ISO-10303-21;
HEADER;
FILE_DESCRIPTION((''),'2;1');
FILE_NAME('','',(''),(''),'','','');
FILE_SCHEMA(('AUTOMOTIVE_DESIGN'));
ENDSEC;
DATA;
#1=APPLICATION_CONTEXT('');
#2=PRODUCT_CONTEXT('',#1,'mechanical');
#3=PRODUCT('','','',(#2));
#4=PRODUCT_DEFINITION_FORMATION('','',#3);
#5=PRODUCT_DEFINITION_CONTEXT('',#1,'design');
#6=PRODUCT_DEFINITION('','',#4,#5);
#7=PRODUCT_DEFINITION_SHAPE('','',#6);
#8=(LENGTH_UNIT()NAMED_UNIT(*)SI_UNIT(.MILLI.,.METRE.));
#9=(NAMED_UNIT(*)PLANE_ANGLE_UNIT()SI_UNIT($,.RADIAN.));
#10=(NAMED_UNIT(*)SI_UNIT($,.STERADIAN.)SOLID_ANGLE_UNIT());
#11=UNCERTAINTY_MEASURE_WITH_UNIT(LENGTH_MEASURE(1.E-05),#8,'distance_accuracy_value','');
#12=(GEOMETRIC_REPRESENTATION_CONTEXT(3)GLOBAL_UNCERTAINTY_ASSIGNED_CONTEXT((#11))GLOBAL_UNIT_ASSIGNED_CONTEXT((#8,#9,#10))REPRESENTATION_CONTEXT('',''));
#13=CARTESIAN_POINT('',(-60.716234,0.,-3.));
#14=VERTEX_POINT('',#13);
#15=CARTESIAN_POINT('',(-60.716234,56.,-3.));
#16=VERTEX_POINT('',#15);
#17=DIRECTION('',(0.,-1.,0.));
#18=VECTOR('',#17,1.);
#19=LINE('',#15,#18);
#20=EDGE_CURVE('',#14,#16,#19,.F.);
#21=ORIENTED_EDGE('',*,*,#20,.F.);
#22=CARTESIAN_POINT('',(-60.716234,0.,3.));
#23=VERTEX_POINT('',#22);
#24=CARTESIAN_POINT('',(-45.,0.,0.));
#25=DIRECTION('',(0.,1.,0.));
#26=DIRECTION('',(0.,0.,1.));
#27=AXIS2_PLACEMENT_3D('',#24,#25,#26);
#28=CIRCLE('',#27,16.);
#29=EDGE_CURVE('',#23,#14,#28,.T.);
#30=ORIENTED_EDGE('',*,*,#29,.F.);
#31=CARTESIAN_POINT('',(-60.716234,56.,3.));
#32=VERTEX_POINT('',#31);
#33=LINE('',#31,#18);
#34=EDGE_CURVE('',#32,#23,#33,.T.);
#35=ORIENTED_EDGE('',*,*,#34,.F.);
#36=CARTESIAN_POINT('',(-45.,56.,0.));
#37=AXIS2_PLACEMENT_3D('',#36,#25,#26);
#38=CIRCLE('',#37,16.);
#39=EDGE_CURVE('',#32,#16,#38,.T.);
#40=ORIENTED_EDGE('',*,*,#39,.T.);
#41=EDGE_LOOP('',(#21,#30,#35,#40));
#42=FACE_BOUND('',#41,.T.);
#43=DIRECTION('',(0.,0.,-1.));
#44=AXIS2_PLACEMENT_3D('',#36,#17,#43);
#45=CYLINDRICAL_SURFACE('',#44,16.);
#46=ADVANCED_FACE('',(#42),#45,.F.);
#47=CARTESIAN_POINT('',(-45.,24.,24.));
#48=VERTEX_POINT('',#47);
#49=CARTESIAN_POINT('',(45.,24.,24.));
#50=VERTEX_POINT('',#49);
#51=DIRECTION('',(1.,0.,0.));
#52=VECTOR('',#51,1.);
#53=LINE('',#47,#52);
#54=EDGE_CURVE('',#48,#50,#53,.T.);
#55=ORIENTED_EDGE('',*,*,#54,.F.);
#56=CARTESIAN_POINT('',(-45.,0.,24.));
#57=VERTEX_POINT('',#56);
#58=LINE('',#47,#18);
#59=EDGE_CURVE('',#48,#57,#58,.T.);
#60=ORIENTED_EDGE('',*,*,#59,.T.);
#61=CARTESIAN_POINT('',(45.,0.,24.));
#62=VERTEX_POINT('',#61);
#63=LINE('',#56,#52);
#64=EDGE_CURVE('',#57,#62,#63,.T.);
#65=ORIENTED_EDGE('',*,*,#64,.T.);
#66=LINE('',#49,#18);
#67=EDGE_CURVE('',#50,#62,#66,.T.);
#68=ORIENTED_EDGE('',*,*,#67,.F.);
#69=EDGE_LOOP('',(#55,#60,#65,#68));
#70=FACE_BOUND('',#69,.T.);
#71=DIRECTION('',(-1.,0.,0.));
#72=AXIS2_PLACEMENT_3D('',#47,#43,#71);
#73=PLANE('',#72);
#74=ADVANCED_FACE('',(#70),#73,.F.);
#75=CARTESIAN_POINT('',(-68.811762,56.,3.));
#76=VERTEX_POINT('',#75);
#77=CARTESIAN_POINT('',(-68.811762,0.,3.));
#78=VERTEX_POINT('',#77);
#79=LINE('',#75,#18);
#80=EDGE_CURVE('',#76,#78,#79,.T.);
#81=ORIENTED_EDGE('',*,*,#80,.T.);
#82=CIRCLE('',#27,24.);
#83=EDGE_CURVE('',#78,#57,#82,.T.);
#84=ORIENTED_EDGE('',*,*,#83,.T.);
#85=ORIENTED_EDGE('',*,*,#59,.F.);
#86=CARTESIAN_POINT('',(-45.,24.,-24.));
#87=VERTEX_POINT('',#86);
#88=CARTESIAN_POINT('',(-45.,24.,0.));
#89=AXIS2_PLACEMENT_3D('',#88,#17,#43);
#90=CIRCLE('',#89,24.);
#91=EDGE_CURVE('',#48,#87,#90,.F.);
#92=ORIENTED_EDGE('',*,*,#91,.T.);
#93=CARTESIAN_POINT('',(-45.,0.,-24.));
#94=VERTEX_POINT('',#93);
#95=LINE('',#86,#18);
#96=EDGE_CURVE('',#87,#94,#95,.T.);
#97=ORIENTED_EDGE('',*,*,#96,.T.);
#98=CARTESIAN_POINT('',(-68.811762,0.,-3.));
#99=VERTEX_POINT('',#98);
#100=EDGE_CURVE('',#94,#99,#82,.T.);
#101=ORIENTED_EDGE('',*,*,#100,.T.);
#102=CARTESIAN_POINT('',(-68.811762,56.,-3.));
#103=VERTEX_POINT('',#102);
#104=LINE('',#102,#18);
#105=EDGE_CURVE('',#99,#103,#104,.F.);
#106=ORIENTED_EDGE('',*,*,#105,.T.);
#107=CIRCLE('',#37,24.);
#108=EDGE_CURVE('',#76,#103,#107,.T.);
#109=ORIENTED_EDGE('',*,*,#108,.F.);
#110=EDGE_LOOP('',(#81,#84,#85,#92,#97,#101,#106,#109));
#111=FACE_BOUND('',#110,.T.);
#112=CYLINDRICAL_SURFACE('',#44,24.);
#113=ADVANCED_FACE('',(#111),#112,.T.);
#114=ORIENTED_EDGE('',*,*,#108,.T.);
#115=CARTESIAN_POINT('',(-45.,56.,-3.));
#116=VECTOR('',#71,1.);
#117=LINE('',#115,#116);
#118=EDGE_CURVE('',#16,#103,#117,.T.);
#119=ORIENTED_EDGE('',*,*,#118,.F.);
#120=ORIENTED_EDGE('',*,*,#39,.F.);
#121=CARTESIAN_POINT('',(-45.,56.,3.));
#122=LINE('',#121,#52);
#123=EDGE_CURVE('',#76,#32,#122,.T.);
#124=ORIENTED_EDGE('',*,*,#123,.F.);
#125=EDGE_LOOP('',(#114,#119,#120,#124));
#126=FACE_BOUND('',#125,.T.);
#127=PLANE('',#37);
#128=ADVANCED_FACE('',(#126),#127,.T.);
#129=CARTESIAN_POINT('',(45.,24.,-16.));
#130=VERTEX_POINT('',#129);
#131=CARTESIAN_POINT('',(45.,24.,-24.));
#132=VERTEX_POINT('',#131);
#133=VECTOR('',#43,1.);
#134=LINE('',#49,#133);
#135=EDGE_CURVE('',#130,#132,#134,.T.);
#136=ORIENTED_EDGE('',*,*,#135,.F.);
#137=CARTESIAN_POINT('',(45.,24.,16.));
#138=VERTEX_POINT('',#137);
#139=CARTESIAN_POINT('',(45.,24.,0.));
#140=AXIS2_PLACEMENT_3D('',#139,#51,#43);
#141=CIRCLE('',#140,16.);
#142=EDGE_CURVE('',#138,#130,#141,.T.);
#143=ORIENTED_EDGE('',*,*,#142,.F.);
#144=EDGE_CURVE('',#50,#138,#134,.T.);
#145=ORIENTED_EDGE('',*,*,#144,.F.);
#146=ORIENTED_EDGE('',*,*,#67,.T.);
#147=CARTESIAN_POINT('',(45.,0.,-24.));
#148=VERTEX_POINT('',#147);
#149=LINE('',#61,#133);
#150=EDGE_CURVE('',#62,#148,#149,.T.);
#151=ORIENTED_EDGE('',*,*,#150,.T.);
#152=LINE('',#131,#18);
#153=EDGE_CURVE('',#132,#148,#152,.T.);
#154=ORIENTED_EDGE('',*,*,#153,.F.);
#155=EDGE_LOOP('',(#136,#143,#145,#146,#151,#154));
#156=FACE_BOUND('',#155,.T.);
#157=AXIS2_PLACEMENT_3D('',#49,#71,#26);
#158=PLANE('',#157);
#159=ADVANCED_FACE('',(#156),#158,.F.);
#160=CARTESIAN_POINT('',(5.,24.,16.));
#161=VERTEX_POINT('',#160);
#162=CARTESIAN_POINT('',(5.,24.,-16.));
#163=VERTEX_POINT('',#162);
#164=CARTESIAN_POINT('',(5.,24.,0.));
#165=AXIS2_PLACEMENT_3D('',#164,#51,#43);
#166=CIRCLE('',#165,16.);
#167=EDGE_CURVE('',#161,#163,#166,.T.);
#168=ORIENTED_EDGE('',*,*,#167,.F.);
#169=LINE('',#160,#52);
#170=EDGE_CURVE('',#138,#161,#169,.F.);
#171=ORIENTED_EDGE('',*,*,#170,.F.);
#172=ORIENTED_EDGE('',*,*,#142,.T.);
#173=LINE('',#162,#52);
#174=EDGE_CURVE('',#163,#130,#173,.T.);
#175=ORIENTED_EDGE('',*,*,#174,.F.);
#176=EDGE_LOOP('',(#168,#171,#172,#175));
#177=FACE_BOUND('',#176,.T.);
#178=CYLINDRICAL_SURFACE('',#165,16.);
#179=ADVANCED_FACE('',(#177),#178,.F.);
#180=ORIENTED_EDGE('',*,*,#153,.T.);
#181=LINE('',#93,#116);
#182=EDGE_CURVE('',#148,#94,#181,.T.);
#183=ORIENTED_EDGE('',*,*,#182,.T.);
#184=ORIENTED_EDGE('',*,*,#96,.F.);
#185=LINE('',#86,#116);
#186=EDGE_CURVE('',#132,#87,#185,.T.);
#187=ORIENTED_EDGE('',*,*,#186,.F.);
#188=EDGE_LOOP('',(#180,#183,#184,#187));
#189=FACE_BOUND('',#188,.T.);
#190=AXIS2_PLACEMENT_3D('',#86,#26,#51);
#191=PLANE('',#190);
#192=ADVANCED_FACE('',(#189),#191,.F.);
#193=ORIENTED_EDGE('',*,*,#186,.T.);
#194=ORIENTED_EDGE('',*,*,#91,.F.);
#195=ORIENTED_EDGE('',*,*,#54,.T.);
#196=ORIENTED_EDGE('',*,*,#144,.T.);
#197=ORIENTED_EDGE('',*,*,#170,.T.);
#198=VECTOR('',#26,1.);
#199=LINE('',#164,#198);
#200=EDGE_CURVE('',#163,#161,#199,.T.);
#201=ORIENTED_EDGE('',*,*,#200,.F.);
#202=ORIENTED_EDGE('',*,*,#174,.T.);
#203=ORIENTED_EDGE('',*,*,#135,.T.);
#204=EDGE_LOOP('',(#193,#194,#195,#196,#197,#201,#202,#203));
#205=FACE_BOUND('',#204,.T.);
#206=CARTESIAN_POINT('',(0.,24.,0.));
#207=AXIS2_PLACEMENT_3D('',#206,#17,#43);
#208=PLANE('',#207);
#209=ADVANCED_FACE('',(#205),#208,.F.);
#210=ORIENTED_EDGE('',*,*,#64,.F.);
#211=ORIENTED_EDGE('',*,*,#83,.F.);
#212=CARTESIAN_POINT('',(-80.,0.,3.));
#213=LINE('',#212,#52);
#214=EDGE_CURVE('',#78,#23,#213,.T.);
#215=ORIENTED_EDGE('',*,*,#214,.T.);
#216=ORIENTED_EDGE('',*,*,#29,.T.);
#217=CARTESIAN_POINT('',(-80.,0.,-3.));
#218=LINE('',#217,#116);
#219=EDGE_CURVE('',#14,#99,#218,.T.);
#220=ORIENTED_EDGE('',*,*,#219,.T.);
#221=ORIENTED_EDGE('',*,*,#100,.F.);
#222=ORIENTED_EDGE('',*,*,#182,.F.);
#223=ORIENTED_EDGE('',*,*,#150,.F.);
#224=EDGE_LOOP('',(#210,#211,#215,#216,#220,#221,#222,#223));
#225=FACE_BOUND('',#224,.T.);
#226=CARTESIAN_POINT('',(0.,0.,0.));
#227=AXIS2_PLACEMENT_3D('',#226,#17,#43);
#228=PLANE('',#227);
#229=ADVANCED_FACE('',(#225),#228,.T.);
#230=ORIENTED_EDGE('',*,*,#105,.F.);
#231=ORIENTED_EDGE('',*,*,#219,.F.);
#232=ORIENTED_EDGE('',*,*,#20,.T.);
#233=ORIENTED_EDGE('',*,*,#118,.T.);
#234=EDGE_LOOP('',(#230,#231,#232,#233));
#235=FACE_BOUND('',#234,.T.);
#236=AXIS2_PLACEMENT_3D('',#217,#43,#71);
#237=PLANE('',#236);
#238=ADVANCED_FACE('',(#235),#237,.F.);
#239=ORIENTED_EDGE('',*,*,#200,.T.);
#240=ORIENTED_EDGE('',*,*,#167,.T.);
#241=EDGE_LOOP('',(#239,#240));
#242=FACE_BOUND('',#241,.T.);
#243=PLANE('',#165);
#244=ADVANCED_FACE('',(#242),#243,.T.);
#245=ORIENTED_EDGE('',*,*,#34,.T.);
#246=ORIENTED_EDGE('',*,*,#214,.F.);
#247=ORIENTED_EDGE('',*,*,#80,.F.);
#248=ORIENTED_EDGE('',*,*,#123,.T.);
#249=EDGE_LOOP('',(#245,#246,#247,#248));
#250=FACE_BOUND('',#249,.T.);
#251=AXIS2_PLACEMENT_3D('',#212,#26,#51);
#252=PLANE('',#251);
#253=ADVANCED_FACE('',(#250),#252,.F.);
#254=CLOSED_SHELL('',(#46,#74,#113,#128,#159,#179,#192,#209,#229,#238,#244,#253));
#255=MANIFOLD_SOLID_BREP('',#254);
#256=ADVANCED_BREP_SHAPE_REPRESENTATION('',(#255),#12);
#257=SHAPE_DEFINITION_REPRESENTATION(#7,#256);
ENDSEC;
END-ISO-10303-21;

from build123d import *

# Parameters (mm, degrees)
SKETCH1_W                = 90
SKETCH1_H                = 48
BOSS_EXTRUDE1_DEPTH      = 24
SKETCH8_R                = 16
CUT_EXTRUDE1_DEPTH       = 40
BOSS_EXTRUDE2_DEPTH      = 32
BOSS_EXTRUDE2_DEPTH_BACK = 24
SKETCH9_R                = 24
SKETCH9_R_2              = 16
CUT_EXTRUDE2_DEPTH       = 32
CUT_EXTRUDE2_DEPTH_BACK  = 24
SKETCH10_R               = 16
SKETCH11_W               = 22
SKETCH11_H               = 6
CUT_EXTRUDE3_DEPTH       = 93.048900048


with BuildPart() as part:
    # Sketch1 → Boss-Extrude1 (new body)
    with BuildSketch(Plane(origin=(0, 0, 0), x_dir=(1, 0, 0), z_dir=(0, 1, 0))):
        Rectangle(SKETCH1_W, SKETCH1_H)
    extrude(amount=BOSS_EXTRUDE1_DEPTH)

    # Sketch8 → Cut-Extrude1 (cut)
    with BuildSketch(Plane(origin=(45, 0, 0), x_dir=(0, 0, -1), z_dir=(1, 0, 0))):
        with Locations((0, 24)):
            Circle(SKETCH8_R)
    extrude(amount=-CUT_EXTRUDE1_DEPTH, mode=Mode.SUBTRACT)

    # Sketch9 → Boss-Extrude2 (add, two sides: drawn at the far end of the back side and taken through both)
    with BuildSketch(Plane(origin=(0, 24, 0), x_dir=(1, 0, 0), z_dir=(0, 1, 0)).offset(-BOSS_EXTRUDE2_DEPTH_BACK)):
        with Locations(Location((-45, 0, 0), (0, 0, 270))):
            Circle(SKETCH9_R)
        with Locations(Location((-45, 0, 0), (0, 0, 270))):
            Circle(SKETCH9_R_2, mode=Mode.SUBTRACT)
    extrude(amount=BOSS_EXTRUDE2_DEPTH + BOSS_EXTRUDE2_DEPTH_BACK)

    # Sketch10 → Cut-Extrude2 (cut, two sides: drawn at the far end of the back side and taken through both)
    with BuildSketch(Plane(origin=(0, 24, 0), x_dir=(1, 0, 0), z_dir=(0, 1, 0)).offset(-CUT_EXTRUDE2_DEPTH_BACK)):
        with Locations(Location((-45, 0, 0), (0, 0, 270))):
            Circle(SKETCH10_R)
    extrude(amount=CUT_EXTRUDE2_DEPTH + CUT_EXTRUDE2_DEPTH_BACK, mode=Mode.SUBTRACT)

    # Sketch11 → Cut-Extrude3 (cut, through all)
    with BuildSketch(Plane(origin=(0, 56, 0), x_dir=(1, 0, 0), z_dir=(0, 1, 0))):
        with Locations((-69, 0)):
            Rectangle(SKETCH11_W, SKETCH11_H)
    extrude(amount=-CUT_EXTRUDE3_DEPTH, mode=Mode.SUBTRACT)


solid = part.part
